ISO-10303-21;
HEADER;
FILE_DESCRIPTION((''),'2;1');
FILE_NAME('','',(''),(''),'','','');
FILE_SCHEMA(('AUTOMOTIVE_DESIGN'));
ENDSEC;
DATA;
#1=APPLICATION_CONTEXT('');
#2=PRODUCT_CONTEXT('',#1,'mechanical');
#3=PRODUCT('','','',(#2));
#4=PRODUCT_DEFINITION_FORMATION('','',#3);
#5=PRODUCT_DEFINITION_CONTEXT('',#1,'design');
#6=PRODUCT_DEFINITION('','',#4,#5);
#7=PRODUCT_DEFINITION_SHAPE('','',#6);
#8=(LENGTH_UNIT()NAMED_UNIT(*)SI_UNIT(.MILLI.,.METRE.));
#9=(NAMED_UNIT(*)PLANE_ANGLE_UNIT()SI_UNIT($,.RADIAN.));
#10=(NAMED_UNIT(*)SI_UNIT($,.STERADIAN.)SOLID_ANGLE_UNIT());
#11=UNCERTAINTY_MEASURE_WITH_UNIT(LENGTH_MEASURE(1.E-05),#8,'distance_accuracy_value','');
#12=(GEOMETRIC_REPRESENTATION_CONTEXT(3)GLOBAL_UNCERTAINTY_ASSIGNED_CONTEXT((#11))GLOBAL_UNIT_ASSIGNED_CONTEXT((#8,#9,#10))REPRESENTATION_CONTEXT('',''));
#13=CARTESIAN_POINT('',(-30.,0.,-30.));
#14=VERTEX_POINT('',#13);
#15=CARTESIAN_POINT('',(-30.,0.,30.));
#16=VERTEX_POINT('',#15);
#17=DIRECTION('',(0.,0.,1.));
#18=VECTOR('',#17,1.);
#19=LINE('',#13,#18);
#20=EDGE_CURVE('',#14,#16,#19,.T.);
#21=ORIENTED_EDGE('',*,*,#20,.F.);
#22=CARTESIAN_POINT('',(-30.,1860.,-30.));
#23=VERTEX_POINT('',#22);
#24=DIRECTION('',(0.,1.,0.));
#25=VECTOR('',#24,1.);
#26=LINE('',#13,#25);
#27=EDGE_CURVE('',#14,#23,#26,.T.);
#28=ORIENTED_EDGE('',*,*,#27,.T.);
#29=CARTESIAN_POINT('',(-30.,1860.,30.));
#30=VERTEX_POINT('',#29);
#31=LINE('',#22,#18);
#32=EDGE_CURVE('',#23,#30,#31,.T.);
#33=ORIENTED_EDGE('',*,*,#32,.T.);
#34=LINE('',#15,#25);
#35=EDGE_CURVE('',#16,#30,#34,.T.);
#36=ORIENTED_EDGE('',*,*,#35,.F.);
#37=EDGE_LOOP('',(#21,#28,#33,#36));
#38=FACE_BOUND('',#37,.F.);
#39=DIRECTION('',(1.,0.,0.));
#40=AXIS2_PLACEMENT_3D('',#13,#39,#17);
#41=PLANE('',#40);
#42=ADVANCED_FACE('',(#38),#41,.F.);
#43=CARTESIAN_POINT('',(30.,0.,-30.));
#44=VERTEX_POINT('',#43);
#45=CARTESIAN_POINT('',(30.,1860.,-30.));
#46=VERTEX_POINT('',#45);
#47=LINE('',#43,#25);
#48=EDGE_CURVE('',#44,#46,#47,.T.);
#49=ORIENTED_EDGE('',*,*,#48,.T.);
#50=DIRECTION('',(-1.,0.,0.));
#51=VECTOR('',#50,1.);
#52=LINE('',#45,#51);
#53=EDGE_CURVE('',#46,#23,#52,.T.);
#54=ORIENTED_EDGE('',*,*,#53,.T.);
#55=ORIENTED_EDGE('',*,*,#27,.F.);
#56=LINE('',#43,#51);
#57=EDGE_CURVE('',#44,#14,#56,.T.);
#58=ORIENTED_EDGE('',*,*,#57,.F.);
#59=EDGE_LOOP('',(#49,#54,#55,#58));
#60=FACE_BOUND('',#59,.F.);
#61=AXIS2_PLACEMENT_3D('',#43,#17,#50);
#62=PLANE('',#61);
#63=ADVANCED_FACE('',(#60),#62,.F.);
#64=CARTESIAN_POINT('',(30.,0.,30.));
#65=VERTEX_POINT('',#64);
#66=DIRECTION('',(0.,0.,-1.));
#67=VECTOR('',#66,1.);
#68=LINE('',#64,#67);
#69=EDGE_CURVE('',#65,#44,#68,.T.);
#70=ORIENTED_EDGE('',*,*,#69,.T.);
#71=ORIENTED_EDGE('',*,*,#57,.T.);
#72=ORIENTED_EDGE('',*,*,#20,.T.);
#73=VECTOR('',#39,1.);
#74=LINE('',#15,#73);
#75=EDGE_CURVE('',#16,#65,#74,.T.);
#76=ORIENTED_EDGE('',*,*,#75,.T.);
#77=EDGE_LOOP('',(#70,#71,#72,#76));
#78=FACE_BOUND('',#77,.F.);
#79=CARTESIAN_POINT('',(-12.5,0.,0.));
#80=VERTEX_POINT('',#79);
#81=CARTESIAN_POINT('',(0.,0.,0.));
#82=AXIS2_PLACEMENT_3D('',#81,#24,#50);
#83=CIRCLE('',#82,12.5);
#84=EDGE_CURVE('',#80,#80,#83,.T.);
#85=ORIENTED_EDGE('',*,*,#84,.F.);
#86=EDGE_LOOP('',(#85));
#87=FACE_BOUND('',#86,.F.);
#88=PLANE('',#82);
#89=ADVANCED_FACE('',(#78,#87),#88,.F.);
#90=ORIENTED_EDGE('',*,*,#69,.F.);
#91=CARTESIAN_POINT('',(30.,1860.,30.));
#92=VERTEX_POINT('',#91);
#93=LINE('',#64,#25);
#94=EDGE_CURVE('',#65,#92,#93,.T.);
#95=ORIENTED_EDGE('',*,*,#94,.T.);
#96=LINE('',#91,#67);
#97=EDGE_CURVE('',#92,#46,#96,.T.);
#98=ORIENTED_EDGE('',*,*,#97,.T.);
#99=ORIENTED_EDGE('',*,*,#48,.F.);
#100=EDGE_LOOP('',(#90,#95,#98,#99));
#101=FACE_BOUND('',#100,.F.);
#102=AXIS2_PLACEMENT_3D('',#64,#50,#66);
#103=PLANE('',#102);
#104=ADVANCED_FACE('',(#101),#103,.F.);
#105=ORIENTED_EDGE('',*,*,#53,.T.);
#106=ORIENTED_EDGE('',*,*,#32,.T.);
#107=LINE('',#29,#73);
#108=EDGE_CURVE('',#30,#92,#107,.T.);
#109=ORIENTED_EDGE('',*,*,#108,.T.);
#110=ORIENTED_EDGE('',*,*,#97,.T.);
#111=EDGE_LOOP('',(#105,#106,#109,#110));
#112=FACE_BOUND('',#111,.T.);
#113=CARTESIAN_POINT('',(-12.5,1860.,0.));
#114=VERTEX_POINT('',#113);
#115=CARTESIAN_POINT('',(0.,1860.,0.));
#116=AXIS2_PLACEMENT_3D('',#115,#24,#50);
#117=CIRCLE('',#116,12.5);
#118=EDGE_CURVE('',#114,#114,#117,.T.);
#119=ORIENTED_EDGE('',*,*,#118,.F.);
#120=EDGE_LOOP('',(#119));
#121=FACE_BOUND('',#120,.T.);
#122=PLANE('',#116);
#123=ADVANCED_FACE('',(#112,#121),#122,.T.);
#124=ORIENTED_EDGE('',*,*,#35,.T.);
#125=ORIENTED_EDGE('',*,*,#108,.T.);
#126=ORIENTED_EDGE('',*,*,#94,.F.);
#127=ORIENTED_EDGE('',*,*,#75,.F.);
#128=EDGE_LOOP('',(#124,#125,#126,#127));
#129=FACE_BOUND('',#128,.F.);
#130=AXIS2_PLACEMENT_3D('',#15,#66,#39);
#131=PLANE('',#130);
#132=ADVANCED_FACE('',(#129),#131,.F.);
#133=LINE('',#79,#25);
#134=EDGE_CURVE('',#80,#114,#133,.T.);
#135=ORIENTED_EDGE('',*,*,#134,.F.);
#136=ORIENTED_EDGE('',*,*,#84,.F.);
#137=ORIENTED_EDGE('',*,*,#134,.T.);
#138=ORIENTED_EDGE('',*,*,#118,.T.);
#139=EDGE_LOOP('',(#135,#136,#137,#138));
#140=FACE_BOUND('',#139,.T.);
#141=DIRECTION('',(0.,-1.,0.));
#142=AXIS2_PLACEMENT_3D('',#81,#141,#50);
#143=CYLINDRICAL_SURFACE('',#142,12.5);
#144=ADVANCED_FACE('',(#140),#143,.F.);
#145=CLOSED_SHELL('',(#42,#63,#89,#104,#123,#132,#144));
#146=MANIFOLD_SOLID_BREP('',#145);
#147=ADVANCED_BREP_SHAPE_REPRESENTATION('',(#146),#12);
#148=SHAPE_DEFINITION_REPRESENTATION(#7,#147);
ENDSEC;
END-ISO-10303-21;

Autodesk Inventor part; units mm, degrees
ref_plane "YZ Plane" through (0, 0, 0) normal (1, 0, 0) x (0, 1, 0)
ref_plane "XZ Plane" through (0, 0, 0) normal (0, 1, 0) x (-1, 0, 0)
ref_plane "XY Plane" through (0, 0, 0) normal (0, 0, 1) x (1, 0, 0)
sketch "Sketch1" plane through (0, 0, 0) normal (0, 1, 0) x (-1, 0, 0)
  line L0 (-30, -30) -> (30, -30)
  line L1 (30, -30) -> (30, 30)
  line L2 (30, 30) -> (-30, 30)
  line L3 (-30, 30) -> (-30, -30)
  line L4 (-30, -30) -> (30, 30) construction
  line L5 (30, -30) -> (-30, 30) construction
  circle A0 centre (0, 0) radius 12.5
  dimension "d0" = 60
  dimension "d1" = 60
  dimension "d2" = 25
extrude "Extrusion1" add sketch "Sketch1" along normal blind 1860
properties part number "Cylinder" material "Steel"
